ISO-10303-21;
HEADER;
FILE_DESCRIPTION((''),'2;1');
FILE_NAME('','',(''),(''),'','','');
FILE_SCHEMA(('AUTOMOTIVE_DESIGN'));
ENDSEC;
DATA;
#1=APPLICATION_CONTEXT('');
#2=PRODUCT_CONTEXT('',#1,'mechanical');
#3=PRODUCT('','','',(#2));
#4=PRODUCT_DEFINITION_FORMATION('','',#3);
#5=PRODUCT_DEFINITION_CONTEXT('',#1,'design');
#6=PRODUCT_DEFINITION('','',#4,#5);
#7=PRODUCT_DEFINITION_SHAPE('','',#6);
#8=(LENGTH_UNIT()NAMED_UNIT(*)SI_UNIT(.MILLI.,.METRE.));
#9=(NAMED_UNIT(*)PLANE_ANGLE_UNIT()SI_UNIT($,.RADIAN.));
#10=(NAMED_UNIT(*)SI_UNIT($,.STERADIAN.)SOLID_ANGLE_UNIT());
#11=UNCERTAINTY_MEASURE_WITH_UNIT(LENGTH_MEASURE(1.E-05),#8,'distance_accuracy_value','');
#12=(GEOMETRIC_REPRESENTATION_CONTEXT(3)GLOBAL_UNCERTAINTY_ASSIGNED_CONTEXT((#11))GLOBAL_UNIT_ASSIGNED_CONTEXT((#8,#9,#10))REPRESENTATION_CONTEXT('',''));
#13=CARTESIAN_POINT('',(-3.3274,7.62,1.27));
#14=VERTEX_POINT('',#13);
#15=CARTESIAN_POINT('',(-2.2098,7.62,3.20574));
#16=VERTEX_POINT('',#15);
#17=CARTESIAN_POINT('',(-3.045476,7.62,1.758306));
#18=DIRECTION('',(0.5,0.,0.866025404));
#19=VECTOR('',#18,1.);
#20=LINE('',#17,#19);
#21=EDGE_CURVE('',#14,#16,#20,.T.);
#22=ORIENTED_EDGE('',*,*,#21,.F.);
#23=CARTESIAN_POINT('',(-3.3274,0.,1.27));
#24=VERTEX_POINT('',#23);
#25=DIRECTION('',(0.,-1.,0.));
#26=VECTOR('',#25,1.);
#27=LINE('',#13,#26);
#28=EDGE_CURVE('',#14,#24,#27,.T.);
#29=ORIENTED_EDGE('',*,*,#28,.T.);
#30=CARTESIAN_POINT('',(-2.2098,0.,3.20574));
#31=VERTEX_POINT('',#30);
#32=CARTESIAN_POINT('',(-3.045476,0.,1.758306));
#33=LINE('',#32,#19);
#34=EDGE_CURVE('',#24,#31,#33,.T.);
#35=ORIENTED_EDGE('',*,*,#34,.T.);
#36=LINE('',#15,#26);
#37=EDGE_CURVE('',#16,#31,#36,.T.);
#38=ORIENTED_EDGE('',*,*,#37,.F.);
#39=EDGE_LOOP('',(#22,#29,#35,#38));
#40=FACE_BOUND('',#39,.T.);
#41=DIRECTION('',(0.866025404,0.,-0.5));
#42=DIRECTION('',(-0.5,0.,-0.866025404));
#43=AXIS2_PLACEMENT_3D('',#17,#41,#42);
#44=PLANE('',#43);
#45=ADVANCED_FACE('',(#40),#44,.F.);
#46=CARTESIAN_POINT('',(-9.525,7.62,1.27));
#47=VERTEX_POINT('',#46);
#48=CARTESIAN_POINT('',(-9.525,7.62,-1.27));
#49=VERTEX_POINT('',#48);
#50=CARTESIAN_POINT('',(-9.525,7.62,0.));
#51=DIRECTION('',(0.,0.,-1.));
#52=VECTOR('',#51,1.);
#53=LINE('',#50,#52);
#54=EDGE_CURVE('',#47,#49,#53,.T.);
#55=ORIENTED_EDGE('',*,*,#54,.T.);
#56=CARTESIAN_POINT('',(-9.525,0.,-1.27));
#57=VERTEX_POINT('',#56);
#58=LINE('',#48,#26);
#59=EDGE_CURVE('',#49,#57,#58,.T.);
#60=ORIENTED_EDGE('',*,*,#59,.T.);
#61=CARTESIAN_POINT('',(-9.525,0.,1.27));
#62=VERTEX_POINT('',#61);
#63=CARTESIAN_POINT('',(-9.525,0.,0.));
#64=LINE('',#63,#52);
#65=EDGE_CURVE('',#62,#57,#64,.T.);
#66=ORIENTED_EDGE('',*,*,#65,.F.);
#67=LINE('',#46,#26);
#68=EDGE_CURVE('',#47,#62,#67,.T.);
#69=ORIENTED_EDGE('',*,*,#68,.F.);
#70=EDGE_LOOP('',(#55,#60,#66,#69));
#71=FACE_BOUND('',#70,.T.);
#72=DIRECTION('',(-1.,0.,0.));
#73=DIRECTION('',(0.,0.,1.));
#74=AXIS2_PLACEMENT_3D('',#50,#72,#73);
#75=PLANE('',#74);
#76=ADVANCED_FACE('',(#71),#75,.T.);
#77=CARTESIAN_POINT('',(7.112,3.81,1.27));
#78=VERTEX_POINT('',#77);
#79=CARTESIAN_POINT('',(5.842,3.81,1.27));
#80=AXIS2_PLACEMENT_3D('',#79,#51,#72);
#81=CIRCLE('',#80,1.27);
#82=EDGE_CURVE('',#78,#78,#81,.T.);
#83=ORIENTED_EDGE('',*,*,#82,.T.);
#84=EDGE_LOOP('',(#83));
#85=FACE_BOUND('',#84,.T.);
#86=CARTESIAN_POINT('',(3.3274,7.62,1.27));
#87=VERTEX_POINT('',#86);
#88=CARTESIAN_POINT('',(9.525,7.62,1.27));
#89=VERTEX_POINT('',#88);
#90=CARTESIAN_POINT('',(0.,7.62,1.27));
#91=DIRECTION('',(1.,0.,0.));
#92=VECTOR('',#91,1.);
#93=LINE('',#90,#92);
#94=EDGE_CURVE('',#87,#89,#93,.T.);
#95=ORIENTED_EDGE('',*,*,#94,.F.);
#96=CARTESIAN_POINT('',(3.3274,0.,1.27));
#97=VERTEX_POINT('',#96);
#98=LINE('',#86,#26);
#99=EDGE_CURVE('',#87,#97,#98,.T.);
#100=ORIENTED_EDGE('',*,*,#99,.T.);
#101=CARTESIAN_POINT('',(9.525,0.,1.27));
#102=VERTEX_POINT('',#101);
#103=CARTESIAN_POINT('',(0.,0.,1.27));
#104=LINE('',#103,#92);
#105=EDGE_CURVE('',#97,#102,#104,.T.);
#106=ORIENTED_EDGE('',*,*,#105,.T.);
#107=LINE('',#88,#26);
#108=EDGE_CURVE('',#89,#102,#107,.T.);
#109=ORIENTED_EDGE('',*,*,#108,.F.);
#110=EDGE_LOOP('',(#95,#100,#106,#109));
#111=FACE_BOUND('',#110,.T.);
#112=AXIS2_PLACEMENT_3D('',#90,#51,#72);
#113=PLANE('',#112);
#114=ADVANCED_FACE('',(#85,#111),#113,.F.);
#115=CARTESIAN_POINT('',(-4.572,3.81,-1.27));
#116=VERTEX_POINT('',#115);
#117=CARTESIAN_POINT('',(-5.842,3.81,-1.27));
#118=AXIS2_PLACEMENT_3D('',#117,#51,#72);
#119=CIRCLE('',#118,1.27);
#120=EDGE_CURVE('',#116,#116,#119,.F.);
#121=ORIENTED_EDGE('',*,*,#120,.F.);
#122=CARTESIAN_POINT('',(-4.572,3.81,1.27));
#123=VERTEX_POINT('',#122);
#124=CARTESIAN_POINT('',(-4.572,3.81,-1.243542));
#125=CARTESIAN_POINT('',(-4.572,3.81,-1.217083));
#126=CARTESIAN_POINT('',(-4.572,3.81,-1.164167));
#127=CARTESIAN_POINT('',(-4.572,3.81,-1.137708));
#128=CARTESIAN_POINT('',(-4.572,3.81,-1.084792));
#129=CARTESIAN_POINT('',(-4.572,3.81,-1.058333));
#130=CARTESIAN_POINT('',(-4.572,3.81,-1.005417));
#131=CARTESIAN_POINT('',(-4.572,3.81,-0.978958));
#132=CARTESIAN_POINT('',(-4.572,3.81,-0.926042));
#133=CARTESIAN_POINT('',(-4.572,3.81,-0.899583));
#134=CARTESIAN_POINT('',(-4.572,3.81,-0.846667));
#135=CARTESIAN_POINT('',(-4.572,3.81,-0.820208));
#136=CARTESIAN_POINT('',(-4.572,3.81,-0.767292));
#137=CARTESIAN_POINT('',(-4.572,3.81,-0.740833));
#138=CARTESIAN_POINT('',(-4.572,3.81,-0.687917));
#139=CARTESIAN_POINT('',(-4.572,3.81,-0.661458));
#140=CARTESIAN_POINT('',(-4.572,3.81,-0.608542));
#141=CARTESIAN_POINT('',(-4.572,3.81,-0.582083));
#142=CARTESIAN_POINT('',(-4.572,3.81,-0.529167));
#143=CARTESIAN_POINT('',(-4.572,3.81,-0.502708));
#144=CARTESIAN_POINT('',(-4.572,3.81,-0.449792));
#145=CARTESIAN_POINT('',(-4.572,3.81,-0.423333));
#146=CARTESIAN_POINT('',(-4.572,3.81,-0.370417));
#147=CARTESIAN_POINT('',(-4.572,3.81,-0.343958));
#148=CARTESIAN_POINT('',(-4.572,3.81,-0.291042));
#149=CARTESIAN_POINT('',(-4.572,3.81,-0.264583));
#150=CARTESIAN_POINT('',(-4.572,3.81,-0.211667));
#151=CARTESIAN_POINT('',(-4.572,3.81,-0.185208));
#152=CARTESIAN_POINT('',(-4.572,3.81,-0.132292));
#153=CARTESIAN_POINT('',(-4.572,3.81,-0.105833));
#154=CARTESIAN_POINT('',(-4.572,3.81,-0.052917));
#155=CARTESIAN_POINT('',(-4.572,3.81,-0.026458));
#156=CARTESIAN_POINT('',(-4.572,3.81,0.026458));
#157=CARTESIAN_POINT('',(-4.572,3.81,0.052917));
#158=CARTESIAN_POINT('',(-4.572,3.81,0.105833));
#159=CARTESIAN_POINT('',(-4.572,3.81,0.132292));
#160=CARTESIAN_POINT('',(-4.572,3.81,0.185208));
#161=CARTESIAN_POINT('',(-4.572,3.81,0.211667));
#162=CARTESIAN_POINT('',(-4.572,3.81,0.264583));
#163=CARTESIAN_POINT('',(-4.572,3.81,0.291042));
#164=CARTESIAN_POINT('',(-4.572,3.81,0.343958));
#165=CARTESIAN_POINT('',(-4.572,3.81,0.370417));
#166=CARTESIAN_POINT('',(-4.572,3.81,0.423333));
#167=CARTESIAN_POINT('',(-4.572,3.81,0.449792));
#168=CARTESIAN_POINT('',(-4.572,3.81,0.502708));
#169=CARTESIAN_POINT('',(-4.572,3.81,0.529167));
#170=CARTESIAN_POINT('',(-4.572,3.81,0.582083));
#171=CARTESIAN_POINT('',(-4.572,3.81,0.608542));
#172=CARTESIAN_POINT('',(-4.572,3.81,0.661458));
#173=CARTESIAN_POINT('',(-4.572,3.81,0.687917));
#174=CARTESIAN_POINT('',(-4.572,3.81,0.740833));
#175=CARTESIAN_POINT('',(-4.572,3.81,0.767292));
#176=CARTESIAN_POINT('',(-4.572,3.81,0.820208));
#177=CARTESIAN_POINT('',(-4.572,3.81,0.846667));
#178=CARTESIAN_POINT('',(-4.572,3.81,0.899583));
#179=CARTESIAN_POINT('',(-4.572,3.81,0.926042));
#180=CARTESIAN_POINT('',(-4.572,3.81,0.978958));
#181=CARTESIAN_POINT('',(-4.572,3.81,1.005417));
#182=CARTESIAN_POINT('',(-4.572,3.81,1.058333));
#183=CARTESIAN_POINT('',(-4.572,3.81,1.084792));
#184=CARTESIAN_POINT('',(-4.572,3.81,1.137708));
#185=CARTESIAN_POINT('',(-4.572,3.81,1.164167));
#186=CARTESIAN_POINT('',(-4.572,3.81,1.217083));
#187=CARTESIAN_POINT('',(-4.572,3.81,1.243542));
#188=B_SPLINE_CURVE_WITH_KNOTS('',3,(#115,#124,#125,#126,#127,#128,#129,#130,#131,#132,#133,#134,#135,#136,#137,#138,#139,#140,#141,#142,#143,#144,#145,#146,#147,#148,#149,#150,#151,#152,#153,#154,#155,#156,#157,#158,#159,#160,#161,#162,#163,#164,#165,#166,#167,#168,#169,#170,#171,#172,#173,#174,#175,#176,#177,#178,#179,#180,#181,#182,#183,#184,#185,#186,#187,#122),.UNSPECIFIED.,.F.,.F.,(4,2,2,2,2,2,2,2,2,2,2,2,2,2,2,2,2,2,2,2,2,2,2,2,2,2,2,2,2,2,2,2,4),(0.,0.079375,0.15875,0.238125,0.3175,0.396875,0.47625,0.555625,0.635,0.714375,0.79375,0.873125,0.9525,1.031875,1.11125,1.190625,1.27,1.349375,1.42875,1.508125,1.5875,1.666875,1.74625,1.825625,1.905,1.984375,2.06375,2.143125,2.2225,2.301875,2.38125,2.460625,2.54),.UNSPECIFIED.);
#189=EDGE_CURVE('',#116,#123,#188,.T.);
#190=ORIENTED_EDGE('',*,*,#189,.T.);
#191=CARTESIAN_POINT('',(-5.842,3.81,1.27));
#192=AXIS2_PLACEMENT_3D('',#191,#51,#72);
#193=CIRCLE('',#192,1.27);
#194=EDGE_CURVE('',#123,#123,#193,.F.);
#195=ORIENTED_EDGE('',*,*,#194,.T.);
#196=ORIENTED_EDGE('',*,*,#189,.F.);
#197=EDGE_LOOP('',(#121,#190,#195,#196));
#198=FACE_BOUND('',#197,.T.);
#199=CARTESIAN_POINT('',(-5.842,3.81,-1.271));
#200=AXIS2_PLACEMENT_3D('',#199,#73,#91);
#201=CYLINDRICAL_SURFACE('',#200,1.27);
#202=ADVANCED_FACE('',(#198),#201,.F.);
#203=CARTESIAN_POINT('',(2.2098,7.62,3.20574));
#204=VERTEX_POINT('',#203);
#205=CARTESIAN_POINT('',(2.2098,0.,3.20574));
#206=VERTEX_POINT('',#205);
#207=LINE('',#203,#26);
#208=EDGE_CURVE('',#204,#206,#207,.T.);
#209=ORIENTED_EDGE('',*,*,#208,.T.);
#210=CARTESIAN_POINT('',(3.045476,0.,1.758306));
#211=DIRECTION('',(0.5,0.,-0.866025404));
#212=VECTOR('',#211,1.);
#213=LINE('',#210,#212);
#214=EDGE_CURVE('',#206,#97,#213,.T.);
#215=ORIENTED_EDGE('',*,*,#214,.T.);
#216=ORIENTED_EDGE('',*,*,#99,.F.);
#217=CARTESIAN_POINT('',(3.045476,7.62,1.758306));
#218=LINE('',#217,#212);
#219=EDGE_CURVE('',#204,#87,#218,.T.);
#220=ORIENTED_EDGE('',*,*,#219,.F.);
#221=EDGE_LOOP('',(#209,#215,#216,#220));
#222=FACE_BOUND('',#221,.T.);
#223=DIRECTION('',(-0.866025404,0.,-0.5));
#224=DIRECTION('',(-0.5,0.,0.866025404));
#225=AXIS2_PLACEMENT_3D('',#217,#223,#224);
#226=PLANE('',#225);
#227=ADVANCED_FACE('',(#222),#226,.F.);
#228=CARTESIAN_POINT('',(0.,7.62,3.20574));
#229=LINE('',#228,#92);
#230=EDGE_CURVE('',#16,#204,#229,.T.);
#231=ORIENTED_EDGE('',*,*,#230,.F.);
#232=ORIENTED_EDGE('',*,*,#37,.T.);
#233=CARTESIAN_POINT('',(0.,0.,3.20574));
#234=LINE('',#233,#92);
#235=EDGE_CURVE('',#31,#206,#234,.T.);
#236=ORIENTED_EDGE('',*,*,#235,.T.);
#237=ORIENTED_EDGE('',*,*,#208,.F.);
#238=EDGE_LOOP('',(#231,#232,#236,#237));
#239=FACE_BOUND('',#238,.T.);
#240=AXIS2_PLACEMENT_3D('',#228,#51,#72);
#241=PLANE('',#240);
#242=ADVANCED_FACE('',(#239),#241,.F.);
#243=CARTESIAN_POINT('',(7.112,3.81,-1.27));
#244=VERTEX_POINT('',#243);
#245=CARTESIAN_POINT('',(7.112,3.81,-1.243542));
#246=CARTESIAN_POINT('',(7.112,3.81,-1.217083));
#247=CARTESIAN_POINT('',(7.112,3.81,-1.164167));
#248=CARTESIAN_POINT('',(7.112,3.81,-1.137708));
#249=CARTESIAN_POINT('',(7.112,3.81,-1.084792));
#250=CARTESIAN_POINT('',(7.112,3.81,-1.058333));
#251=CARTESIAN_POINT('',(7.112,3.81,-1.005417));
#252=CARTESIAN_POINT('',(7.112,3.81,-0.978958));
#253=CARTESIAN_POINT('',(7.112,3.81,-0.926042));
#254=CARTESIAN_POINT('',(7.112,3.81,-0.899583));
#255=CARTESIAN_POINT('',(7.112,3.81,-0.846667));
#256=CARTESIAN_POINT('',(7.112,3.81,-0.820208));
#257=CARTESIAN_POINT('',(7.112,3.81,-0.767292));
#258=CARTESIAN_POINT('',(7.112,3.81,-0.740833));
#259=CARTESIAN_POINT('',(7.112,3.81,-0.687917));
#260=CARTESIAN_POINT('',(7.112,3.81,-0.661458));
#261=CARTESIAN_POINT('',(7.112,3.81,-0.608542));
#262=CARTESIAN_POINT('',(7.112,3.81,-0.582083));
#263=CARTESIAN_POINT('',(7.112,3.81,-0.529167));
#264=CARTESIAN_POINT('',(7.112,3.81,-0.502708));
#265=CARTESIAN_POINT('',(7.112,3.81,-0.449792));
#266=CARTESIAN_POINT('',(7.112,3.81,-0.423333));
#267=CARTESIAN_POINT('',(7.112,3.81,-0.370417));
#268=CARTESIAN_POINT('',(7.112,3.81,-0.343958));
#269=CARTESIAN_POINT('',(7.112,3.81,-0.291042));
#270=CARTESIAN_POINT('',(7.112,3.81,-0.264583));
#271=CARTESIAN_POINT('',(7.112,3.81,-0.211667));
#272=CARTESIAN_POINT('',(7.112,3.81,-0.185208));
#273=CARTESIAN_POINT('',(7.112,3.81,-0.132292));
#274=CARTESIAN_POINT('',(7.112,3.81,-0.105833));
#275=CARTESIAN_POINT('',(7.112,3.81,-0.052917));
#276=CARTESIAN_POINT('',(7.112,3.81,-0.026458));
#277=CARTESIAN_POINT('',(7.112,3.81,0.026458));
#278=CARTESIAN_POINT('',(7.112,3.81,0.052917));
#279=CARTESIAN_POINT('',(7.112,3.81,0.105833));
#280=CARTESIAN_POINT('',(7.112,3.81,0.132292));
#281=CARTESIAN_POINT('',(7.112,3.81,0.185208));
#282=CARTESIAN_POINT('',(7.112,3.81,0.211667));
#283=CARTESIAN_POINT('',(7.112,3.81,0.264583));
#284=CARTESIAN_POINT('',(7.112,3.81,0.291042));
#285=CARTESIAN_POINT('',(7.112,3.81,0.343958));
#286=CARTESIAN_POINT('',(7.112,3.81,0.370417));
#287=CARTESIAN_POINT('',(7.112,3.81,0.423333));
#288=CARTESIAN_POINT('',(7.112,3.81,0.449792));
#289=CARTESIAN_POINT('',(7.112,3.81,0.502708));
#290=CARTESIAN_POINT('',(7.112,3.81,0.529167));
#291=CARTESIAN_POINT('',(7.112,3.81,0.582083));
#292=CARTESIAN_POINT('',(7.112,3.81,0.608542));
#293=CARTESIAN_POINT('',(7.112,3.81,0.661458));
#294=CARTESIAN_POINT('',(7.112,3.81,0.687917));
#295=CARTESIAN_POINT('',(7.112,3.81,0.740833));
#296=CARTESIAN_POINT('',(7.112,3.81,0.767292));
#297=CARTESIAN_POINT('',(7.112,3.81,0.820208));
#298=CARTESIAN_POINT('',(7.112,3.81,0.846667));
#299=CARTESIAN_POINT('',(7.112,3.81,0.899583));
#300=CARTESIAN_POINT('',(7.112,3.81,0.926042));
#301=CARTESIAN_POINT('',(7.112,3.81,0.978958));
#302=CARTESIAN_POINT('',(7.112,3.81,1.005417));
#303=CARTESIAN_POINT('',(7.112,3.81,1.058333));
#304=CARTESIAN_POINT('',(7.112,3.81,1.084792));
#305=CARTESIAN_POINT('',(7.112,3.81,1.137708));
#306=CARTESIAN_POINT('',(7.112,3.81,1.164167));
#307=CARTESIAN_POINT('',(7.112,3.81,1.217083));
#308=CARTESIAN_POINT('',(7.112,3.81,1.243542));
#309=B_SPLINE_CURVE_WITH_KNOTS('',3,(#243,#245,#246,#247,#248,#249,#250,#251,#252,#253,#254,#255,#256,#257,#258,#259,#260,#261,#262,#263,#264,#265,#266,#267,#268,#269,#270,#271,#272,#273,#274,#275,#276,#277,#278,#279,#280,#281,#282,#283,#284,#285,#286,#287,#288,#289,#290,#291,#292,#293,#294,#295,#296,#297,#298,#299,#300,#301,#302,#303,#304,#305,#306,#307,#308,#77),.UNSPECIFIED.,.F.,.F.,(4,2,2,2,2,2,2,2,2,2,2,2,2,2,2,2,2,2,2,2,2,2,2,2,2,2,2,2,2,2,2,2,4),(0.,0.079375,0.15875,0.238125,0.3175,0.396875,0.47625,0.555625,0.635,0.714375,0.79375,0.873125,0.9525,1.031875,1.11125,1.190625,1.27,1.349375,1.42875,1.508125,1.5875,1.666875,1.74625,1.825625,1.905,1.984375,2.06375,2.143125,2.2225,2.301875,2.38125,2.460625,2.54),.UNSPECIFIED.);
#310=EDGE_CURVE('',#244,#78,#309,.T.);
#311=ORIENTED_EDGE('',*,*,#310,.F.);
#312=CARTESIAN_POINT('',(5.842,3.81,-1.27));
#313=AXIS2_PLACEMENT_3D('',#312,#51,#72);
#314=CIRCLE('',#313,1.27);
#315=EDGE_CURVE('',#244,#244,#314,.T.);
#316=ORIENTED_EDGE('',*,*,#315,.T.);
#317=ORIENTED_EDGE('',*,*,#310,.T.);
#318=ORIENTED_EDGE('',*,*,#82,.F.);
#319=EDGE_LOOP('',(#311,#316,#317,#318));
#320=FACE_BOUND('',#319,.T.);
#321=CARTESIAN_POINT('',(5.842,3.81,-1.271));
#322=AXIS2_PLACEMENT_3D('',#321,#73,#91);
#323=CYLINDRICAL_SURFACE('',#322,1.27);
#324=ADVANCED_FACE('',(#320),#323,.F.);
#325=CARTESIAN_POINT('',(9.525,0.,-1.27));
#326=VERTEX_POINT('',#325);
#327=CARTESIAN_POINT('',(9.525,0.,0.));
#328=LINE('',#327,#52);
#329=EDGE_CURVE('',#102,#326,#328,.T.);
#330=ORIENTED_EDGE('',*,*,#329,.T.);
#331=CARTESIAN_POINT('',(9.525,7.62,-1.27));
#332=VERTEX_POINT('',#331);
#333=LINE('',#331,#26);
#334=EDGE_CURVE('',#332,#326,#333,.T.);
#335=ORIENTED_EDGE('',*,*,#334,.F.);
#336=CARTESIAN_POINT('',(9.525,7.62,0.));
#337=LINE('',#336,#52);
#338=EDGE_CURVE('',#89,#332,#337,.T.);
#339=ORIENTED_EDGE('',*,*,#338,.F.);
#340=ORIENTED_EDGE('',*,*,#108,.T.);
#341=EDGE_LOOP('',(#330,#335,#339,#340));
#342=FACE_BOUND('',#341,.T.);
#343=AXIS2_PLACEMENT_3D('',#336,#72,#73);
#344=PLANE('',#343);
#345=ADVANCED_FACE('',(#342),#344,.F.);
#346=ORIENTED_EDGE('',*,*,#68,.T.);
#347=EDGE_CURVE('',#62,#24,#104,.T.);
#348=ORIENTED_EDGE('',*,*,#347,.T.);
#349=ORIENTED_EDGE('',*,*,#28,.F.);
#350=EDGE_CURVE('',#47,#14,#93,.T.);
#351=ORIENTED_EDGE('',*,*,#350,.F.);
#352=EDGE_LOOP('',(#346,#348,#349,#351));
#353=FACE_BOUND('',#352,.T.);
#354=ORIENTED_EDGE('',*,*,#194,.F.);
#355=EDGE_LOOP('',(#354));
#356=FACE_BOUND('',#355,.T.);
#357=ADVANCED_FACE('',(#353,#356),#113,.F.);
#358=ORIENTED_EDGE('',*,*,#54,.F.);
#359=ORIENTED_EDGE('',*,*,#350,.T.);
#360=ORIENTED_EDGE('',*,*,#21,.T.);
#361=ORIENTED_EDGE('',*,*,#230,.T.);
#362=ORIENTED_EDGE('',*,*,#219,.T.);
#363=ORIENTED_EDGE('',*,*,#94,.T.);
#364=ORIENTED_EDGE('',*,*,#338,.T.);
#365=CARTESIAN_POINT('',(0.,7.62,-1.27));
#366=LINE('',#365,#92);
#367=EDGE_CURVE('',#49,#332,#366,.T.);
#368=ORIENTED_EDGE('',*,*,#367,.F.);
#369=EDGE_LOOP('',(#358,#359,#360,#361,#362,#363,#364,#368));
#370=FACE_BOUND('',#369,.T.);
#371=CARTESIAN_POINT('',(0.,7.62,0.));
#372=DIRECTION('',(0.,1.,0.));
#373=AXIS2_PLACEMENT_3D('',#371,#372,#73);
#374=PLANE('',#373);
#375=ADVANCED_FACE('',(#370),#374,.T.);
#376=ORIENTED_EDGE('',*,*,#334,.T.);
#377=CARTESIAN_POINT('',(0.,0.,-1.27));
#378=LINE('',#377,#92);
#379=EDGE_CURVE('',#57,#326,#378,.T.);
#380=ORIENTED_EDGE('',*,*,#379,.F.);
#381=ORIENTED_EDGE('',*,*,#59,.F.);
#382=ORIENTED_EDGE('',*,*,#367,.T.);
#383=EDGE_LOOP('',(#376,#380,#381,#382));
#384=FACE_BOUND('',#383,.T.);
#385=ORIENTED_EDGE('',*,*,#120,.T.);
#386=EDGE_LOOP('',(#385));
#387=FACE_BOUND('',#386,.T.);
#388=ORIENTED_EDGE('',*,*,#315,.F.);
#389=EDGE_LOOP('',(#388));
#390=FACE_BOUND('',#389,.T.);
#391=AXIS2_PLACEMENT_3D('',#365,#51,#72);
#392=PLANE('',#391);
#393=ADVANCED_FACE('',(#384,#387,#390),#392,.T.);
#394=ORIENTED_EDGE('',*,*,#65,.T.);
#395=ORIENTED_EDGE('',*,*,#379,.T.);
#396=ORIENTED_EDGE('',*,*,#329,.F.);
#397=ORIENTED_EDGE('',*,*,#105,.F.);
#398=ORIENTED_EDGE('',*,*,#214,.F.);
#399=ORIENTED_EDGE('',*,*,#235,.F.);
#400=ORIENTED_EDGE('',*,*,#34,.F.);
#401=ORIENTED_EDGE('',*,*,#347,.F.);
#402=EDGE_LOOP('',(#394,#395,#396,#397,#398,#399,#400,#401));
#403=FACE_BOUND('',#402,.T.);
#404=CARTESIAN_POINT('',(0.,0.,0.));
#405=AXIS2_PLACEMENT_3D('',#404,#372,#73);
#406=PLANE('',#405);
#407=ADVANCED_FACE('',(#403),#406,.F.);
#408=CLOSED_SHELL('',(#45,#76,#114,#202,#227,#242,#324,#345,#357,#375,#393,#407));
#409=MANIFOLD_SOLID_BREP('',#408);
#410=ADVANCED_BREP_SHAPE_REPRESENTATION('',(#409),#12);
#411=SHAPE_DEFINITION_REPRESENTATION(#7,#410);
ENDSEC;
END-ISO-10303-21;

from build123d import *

# Parameters (mm, degrees)
SKETCH1_W           = 6.1976
SKETCH1_H           = 2.54
BOSS_EXTRUDE1_DEPTH = 7.62
CUT_EXTRUDE2_REACH  = 14.993
SKETCH3_R           = 1.27


with BuildPart() as part:
    # Sketch1 → Boss-Extrude1 (new body)
    with BuildSketch(Plane(origin=(0, 0, 0), x_dir=(1, 0, 0), z_dir=(0, 1, 0))):
        Polygon((0, -3.205739983), (0, -1.27), (-3.3274, -1.27), (-2.2098, -3.205739983), align=None)
        Polygon((3.3274, -1.27), (0, -1.27), (0, -3.205739983), (2.2098, -3.205739983), align=None)
        with Locations((6.4262, 0)):
            Rectangle(SKETCH1_W, SKETCH1_H)
        Polygon((-3.3274, -1.27), (0, -1.27), (3.3274, -1.27), (3.3274, 1.27), (-3.3274, 1.27), align=None)
        with Locations((-6.4262, 0)):
            Rectangle(SKETCH1_W, SKETCH1_H)
    extrude(amount=BOSS_EXTRUDE1_DEPTH)

    # Sketch3 → Cut-Extrude2 (cut, up to next)
    with BuildSketch(Plane.XY.offset(3.205739983), mode=Mode.PRIVATE) as cut_extrude2_sk1:
        with Locations((-5.842, 3.81)):
            Circle(SKETCH3_R)
    cut_extrude2_tool1 = extrude(cut_extrude2_sk1.sketch, amount=-CUT_EXTRUDE2_REACH, mode=Mode.PRIVATE) & part.part
    cut_extrude2 = cut_extrude2_tool1.solids().sort_by_distance((-5.842, 3.81, 3.20574))[0]
    add(cut_extrude2, mode=Mode.SUBTRACT)

    # Mirror2: Cut-Extrude2 across plane
    add(cut_extrude2.mirror(Plane(origin=(0, 0, 0), x_dir=(0, 0, 1), z_dir=(1, 0, 0))), mode=Mode.SUBTRACT)


solid = part.part
